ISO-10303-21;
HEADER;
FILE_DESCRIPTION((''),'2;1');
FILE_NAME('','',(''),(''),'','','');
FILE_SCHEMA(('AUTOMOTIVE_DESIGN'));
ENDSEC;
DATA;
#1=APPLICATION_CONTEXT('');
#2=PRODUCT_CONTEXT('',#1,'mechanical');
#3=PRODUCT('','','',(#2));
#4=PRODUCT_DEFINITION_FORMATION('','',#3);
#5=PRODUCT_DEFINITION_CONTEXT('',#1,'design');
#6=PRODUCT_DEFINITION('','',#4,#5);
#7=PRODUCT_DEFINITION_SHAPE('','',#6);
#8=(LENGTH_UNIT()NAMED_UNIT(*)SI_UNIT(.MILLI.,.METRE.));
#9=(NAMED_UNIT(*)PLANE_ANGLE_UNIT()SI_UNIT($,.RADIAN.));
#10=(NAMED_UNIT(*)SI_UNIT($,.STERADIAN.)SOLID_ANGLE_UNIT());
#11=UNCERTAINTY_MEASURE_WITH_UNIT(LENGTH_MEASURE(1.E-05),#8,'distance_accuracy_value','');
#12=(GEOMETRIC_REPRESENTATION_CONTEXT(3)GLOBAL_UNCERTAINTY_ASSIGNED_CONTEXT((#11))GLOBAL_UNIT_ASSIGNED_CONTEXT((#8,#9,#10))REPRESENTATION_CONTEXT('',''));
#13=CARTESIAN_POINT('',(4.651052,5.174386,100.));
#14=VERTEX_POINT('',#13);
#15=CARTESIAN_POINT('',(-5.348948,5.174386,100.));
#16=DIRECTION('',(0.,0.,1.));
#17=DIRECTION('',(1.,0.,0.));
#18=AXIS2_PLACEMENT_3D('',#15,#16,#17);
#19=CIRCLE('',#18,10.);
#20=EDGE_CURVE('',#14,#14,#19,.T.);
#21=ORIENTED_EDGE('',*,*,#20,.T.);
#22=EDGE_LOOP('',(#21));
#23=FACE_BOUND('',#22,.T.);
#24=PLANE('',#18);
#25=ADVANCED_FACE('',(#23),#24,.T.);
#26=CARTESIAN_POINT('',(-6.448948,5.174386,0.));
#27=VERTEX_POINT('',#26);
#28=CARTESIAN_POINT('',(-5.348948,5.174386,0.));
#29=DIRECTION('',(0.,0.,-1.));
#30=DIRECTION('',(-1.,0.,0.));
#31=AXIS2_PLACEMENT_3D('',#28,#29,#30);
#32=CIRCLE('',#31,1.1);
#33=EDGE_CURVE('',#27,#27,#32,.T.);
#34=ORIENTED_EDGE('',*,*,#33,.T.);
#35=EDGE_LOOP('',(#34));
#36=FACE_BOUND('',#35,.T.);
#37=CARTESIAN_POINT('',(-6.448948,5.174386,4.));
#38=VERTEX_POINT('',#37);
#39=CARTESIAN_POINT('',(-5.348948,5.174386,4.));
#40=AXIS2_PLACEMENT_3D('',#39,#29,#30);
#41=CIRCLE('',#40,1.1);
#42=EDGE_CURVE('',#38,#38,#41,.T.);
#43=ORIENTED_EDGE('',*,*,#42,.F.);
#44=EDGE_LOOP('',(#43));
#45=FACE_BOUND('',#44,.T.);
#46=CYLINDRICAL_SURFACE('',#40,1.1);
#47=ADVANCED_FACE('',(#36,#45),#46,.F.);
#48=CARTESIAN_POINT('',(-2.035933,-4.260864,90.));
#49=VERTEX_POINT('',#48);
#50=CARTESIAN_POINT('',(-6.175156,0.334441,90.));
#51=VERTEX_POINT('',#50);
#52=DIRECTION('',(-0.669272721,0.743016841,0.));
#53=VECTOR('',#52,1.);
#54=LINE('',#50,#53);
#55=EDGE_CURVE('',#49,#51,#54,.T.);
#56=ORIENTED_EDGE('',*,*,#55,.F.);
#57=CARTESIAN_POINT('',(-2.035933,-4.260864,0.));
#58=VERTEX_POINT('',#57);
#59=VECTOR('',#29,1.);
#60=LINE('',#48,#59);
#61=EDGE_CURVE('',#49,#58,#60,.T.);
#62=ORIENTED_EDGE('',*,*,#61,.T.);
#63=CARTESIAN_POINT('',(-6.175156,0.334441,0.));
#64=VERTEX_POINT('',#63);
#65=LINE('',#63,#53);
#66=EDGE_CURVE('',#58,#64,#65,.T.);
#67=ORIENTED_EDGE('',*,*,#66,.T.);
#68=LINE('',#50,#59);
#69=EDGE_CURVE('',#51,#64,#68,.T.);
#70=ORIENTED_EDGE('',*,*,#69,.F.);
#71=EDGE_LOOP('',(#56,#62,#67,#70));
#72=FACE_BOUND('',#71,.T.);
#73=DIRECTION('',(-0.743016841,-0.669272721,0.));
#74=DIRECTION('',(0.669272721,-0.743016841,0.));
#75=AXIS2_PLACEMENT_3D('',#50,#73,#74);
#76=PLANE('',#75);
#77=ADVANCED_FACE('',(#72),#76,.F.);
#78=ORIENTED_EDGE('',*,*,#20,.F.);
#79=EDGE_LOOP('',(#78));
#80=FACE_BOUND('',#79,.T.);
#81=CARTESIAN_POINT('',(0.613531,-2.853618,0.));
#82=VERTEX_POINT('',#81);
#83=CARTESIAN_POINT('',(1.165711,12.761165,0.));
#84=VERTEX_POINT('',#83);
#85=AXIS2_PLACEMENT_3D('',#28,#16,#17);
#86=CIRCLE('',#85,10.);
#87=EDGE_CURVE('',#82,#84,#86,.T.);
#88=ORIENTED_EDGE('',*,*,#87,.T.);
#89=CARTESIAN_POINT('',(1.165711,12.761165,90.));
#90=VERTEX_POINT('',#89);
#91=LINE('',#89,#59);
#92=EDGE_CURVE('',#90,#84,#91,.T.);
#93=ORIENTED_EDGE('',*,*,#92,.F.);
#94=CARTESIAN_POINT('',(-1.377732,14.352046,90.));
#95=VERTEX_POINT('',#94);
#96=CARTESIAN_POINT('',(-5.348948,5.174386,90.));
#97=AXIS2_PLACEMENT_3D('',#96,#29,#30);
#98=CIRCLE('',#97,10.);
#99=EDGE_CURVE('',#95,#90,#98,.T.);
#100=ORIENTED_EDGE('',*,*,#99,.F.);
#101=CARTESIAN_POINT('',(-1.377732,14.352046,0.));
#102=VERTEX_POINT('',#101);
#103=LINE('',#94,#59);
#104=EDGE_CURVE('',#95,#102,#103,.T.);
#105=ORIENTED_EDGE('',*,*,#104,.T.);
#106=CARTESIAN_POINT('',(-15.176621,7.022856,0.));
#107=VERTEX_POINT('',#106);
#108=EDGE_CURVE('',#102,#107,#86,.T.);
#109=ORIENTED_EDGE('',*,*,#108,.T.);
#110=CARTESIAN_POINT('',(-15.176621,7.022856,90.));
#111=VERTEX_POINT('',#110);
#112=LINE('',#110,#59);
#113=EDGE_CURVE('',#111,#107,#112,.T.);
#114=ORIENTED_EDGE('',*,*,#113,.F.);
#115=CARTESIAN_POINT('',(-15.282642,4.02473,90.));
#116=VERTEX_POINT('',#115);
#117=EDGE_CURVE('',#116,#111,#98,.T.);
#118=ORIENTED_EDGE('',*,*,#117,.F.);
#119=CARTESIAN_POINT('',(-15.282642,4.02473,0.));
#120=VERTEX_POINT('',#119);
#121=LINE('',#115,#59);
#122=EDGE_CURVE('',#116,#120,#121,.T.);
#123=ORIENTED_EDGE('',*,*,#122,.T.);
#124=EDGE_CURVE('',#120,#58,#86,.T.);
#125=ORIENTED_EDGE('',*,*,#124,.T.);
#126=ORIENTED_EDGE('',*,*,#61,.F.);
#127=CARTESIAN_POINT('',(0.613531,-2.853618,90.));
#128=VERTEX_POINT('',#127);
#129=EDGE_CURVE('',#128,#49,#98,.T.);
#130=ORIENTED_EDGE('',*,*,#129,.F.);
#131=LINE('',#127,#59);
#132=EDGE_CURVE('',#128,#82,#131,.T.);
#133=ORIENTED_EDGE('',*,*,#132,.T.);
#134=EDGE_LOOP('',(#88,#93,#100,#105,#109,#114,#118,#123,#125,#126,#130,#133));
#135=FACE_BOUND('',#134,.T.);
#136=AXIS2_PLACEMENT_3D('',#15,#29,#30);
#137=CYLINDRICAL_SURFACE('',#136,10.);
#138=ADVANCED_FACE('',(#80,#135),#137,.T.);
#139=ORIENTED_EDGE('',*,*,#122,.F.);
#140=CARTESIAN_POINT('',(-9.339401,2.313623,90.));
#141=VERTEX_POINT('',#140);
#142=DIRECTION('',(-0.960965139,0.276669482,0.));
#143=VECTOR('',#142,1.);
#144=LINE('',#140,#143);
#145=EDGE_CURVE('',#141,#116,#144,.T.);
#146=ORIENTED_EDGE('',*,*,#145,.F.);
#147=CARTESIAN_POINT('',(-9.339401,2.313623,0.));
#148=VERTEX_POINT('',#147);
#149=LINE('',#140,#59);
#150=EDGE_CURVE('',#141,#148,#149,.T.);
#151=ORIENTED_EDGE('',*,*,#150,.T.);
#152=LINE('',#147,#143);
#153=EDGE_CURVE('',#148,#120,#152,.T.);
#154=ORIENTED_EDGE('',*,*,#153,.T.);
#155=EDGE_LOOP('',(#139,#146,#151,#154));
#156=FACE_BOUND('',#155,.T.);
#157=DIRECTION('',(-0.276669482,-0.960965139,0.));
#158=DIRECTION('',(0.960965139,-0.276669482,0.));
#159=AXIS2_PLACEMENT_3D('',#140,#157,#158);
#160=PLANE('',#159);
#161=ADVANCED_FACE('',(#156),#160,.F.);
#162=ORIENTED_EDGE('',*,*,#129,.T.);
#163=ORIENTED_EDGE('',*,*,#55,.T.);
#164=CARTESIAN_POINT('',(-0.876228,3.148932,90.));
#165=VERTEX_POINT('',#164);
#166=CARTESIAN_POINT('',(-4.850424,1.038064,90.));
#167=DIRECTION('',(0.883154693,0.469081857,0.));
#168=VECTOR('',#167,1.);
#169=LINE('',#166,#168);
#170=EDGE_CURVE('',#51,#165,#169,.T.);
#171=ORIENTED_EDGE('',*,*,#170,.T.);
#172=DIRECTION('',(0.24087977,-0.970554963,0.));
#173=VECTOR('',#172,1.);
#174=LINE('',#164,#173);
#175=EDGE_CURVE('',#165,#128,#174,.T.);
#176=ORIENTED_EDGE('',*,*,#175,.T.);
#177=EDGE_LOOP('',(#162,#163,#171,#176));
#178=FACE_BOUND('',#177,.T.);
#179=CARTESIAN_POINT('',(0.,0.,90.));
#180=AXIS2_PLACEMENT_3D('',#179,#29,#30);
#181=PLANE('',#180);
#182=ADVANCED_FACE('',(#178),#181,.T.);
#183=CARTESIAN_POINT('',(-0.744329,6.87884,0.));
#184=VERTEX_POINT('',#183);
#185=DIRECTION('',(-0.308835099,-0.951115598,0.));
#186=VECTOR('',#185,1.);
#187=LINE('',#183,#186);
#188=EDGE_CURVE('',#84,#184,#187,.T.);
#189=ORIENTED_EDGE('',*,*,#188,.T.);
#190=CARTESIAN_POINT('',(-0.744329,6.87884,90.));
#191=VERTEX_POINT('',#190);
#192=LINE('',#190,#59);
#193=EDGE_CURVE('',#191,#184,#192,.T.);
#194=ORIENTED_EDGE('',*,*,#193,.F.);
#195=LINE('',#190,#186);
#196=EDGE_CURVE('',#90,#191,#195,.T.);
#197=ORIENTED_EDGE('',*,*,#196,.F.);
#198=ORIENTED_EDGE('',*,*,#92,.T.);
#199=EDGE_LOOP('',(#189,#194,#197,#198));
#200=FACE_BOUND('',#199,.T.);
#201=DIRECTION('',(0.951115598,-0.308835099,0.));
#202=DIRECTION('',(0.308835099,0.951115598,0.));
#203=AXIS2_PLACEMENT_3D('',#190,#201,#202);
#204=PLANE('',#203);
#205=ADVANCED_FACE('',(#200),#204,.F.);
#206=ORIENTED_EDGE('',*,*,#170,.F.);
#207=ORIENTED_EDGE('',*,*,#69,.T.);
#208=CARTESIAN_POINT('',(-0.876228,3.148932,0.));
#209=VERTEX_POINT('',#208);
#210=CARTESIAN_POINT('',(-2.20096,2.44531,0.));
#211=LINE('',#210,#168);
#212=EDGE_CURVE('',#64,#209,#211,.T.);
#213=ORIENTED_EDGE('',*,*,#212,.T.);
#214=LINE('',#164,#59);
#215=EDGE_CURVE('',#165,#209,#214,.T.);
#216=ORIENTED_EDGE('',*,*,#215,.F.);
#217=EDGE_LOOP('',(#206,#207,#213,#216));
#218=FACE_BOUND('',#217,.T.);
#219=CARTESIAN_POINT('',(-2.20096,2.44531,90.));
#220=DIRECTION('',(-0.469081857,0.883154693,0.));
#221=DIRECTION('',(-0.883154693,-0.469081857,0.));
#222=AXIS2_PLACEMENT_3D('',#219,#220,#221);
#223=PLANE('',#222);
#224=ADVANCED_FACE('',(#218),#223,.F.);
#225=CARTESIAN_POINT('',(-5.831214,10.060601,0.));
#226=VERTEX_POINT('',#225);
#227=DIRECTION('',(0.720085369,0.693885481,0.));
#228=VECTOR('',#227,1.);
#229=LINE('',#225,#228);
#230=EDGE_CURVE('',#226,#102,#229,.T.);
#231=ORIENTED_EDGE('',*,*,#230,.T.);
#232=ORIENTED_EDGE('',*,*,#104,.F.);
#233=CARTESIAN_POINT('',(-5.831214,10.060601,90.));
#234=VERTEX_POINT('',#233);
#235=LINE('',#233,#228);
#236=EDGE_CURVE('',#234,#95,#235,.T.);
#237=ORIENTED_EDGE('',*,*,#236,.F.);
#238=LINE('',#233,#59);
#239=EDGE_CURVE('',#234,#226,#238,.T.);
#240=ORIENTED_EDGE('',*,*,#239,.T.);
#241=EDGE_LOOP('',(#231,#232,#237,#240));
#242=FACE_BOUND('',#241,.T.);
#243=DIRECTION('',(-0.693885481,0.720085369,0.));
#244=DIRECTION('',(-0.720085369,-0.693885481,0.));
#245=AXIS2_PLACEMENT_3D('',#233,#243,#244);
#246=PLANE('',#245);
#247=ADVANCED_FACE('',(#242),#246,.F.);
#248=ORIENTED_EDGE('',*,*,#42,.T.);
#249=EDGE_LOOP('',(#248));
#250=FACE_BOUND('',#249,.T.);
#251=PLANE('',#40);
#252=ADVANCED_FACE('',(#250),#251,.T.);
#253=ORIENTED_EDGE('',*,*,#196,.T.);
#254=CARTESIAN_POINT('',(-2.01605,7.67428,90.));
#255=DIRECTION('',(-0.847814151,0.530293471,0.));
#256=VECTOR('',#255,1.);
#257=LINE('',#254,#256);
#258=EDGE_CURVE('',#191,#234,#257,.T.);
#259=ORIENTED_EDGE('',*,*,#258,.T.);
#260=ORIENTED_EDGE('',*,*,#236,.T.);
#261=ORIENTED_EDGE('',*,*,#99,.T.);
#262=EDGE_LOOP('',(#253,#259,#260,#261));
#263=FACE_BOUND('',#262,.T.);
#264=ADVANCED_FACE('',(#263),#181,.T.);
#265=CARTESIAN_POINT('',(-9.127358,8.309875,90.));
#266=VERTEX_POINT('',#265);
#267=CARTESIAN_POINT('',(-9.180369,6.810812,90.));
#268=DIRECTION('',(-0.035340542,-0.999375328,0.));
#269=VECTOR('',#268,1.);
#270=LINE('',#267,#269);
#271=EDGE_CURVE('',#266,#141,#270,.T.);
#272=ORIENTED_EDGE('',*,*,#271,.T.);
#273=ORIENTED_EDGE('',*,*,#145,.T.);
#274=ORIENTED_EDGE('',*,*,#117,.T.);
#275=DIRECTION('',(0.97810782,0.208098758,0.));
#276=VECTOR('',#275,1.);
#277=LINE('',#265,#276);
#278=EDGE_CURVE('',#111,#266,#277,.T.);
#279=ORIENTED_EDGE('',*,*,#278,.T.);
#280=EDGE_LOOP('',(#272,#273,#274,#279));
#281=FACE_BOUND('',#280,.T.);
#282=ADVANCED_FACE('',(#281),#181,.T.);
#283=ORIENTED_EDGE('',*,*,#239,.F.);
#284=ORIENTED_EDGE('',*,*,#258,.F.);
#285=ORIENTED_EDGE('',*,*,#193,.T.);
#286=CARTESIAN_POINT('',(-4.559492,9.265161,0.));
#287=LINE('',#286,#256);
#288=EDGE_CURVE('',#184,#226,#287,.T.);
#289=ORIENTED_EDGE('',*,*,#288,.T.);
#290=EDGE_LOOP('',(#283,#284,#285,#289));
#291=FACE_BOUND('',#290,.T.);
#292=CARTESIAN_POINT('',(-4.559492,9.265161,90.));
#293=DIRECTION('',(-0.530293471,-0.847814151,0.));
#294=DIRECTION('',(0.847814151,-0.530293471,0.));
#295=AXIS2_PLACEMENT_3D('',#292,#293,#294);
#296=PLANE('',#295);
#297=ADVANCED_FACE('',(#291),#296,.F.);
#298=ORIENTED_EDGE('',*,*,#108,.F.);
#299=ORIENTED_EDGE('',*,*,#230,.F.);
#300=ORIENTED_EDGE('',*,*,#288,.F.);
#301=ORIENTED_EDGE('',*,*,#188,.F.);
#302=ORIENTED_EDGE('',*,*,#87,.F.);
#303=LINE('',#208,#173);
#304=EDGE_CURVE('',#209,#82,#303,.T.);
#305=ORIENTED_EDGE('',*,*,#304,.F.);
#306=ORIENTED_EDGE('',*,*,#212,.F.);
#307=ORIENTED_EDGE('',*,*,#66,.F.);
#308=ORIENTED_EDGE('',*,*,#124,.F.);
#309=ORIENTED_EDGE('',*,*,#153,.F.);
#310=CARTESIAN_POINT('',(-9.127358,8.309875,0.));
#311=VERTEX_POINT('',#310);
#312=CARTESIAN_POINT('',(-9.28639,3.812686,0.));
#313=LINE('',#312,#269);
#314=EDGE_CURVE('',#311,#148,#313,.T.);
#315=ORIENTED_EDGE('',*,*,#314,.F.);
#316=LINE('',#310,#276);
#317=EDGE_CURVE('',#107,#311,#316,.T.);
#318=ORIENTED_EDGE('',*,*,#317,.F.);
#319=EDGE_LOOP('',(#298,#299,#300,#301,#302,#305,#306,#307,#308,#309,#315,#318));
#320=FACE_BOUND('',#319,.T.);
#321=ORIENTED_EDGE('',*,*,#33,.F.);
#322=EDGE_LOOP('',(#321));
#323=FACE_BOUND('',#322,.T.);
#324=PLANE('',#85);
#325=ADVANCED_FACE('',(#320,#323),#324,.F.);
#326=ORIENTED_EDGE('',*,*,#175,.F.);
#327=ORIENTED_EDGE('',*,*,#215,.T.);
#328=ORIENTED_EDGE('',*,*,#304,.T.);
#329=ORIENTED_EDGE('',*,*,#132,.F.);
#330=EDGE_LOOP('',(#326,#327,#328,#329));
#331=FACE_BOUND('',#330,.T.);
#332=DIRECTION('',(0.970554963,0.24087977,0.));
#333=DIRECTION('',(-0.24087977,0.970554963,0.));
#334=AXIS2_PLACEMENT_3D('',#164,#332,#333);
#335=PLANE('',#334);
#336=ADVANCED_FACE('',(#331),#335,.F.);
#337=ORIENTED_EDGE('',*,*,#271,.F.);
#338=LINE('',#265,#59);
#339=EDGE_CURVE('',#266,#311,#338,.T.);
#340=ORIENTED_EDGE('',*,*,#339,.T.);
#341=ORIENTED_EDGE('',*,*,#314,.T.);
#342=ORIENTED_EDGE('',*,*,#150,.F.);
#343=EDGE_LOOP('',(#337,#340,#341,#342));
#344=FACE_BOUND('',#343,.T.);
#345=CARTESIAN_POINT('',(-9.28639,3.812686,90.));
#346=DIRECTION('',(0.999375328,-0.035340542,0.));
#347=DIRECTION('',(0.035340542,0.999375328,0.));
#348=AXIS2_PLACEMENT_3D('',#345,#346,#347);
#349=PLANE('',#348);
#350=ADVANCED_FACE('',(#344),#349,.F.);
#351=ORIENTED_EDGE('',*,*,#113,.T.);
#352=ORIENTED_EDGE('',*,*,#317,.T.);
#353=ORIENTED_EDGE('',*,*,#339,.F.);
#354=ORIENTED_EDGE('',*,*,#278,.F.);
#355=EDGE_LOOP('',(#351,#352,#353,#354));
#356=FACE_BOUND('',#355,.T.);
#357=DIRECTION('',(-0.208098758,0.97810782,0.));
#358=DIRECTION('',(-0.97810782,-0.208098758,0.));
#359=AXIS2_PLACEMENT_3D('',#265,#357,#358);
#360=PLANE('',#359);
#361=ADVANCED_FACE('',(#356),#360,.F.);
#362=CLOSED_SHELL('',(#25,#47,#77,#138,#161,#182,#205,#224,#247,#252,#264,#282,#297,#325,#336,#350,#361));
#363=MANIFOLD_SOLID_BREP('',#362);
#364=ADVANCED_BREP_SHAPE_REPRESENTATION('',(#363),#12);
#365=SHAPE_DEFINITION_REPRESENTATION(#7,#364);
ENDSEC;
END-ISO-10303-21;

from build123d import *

# Parameters (mm, degrees)
SKETCH_1_R          = 10
EXTRUDE_1_DEPTH     = 100
SKETCH_5_R          = 1.1
CUT_EXTRUDE_3_DEPTH = 4
CUT_EXTRUDE_2_DEPTH = 90


with BuildPart() as part:
    # ｽｹｯﾁ1 → ﾎﾞｽ - 押し出し1 (new body)
    with BuildSketch(Plane.XY):
        with Locations((-5.348947677, 5.174385531)):
            Circle(SKETCH_1_R)
    extrude(amount=EXTRUDE_1_DEPTH)

    # ｽｹｯﾁ5 → ｶｯﾄ - 押し出し3 (cut)
    with BuildSketch(Plane(origin=(0, 0, 0), x_dir=(-1, 0, 0), z_dir=(0, 0, -1))):
        with Locations((5.348947677, 5.174385531)):
            Circle(SKETCH_5_R)
    extrude(amount=-CUT_EXTRUDE_3_DEPTH, mode=Mode.SUBTRACT)

    # ｽｹｯﾁ3 → ｶｯﾄ - 押し出し2 (cut)
    with BuildSketch(Plane(origin=(0, 0, 0), x_dir=(-1, 0, 0), z_dir=(0, 0, -1))):
        Polygon((9.180368817, 6.810812261), (9.286390444, 3.812686278), (9.339401258, 2.313623286), (15.282642412, 4.024729531), (17.281393068, 4.095410616), (17.175371441, 7.093536599), (15.176620785, 7.022855515), (9.127358004, 8.309875253), align=None)
        Polygon((2.016049987, 7.674280205), (4.559492439, 9.265160619), (5.831213665, 10.060600826), (1.377731611, 14.352045524), (0.317144668, 16.047673826), (-2.226297784, 14.456793412), (-1.165710841, 12.76116511), (0.74432876, 6.878839998), align=None)
        Polygon((4.850424227, 1.038064125), (2.200960148, 2.445309695), (0.876228108, 3.14893248), (-0.613530992, -2.853618463), (-1.551694705, -4.619927849), (1.097769374, -6.027173419), (2.035933088, -4.260864033), (6.175156267, 0.33444134), align=None)
    extrude(amount=-CUT_EXTRUDE_2_DEPTH, mode=Mode.SUBTRACT)


solid = part.part
